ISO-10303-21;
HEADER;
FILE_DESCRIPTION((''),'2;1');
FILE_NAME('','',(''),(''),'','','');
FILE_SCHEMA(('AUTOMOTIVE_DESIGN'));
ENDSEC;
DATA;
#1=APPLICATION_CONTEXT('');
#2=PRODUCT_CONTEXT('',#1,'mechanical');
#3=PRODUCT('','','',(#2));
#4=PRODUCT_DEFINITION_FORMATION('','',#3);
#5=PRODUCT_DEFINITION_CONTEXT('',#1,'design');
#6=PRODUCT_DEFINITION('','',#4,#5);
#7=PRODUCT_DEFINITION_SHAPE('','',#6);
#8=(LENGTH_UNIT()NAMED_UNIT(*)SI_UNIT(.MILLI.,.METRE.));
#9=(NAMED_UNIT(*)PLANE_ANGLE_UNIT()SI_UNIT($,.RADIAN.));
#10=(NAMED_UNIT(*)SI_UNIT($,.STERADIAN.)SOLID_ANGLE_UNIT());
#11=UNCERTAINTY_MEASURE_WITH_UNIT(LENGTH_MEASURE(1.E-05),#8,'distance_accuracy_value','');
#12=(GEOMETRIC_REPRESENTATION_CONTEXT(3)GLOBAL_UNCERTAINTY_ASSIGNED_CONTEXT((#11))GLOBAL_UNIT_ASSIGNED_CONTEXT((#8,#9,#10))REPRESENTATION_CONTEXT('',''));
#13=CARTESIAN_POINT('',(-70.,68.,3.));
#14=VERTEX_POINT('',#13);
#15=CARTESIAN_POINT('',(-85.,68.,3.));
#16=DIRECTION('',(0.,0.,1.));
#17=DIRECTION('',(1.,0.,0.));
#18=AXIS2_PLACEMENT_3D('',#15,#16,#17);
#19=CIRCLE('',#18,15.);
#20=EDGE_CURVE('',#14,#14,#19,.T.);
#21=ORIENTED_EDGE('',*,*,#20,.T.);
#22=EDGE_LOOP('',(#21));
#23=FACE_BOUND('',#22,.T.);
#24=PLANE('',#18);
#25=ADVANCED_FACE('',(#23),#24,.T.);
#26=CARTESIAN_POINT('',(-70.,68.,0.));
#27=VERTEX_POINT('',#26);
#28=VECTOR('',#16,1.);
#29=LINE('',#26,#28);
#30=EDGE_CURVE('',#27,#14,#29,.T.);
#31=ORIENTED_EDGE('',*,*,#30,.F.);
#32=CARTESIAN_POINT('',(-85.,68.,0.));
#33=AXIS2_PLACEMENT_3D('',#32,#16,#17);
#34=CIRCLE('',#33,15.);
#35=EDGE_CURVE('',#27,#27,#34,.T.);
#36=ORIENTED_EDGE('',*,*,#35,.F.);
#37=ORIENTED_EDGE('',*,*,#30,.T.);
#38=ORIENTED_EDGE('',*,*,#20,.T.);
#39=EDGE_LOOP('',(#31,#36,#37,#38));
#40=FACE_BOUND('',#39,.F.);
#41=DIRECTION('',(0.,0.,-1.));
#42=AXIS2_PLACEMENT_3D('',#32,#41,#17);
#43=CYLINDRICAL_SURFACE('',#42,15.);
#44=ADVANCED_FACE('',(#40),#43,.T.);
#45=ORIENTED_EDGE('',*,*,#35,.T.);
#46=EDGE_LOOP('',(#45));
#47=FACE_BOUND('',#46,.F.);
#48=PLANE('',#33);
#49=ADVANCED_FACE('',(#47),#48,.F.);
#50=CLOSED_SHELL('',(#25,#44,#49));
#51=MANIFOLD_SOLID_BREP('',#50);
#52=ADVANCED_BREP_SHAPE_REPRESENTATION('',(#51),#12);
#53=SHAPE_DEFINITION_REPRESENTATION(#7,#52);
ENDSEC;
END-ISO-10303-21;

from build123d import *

# Parameters (mm, degrees)
SKETCH1_R           = 15
BOSS_EXTRUDE1_DEPTH = 3


with BuildPart() as part:
    # Sketch1 → Boss-Extrude1 (new body)
    with BuildSketch(Plane.XY):
        with Locations((-85, 68)):
            Circle(SKETCH1_R)
    extrude(amount=BOSS_EXTRUDE1_DEPTH)


solid = part.part
